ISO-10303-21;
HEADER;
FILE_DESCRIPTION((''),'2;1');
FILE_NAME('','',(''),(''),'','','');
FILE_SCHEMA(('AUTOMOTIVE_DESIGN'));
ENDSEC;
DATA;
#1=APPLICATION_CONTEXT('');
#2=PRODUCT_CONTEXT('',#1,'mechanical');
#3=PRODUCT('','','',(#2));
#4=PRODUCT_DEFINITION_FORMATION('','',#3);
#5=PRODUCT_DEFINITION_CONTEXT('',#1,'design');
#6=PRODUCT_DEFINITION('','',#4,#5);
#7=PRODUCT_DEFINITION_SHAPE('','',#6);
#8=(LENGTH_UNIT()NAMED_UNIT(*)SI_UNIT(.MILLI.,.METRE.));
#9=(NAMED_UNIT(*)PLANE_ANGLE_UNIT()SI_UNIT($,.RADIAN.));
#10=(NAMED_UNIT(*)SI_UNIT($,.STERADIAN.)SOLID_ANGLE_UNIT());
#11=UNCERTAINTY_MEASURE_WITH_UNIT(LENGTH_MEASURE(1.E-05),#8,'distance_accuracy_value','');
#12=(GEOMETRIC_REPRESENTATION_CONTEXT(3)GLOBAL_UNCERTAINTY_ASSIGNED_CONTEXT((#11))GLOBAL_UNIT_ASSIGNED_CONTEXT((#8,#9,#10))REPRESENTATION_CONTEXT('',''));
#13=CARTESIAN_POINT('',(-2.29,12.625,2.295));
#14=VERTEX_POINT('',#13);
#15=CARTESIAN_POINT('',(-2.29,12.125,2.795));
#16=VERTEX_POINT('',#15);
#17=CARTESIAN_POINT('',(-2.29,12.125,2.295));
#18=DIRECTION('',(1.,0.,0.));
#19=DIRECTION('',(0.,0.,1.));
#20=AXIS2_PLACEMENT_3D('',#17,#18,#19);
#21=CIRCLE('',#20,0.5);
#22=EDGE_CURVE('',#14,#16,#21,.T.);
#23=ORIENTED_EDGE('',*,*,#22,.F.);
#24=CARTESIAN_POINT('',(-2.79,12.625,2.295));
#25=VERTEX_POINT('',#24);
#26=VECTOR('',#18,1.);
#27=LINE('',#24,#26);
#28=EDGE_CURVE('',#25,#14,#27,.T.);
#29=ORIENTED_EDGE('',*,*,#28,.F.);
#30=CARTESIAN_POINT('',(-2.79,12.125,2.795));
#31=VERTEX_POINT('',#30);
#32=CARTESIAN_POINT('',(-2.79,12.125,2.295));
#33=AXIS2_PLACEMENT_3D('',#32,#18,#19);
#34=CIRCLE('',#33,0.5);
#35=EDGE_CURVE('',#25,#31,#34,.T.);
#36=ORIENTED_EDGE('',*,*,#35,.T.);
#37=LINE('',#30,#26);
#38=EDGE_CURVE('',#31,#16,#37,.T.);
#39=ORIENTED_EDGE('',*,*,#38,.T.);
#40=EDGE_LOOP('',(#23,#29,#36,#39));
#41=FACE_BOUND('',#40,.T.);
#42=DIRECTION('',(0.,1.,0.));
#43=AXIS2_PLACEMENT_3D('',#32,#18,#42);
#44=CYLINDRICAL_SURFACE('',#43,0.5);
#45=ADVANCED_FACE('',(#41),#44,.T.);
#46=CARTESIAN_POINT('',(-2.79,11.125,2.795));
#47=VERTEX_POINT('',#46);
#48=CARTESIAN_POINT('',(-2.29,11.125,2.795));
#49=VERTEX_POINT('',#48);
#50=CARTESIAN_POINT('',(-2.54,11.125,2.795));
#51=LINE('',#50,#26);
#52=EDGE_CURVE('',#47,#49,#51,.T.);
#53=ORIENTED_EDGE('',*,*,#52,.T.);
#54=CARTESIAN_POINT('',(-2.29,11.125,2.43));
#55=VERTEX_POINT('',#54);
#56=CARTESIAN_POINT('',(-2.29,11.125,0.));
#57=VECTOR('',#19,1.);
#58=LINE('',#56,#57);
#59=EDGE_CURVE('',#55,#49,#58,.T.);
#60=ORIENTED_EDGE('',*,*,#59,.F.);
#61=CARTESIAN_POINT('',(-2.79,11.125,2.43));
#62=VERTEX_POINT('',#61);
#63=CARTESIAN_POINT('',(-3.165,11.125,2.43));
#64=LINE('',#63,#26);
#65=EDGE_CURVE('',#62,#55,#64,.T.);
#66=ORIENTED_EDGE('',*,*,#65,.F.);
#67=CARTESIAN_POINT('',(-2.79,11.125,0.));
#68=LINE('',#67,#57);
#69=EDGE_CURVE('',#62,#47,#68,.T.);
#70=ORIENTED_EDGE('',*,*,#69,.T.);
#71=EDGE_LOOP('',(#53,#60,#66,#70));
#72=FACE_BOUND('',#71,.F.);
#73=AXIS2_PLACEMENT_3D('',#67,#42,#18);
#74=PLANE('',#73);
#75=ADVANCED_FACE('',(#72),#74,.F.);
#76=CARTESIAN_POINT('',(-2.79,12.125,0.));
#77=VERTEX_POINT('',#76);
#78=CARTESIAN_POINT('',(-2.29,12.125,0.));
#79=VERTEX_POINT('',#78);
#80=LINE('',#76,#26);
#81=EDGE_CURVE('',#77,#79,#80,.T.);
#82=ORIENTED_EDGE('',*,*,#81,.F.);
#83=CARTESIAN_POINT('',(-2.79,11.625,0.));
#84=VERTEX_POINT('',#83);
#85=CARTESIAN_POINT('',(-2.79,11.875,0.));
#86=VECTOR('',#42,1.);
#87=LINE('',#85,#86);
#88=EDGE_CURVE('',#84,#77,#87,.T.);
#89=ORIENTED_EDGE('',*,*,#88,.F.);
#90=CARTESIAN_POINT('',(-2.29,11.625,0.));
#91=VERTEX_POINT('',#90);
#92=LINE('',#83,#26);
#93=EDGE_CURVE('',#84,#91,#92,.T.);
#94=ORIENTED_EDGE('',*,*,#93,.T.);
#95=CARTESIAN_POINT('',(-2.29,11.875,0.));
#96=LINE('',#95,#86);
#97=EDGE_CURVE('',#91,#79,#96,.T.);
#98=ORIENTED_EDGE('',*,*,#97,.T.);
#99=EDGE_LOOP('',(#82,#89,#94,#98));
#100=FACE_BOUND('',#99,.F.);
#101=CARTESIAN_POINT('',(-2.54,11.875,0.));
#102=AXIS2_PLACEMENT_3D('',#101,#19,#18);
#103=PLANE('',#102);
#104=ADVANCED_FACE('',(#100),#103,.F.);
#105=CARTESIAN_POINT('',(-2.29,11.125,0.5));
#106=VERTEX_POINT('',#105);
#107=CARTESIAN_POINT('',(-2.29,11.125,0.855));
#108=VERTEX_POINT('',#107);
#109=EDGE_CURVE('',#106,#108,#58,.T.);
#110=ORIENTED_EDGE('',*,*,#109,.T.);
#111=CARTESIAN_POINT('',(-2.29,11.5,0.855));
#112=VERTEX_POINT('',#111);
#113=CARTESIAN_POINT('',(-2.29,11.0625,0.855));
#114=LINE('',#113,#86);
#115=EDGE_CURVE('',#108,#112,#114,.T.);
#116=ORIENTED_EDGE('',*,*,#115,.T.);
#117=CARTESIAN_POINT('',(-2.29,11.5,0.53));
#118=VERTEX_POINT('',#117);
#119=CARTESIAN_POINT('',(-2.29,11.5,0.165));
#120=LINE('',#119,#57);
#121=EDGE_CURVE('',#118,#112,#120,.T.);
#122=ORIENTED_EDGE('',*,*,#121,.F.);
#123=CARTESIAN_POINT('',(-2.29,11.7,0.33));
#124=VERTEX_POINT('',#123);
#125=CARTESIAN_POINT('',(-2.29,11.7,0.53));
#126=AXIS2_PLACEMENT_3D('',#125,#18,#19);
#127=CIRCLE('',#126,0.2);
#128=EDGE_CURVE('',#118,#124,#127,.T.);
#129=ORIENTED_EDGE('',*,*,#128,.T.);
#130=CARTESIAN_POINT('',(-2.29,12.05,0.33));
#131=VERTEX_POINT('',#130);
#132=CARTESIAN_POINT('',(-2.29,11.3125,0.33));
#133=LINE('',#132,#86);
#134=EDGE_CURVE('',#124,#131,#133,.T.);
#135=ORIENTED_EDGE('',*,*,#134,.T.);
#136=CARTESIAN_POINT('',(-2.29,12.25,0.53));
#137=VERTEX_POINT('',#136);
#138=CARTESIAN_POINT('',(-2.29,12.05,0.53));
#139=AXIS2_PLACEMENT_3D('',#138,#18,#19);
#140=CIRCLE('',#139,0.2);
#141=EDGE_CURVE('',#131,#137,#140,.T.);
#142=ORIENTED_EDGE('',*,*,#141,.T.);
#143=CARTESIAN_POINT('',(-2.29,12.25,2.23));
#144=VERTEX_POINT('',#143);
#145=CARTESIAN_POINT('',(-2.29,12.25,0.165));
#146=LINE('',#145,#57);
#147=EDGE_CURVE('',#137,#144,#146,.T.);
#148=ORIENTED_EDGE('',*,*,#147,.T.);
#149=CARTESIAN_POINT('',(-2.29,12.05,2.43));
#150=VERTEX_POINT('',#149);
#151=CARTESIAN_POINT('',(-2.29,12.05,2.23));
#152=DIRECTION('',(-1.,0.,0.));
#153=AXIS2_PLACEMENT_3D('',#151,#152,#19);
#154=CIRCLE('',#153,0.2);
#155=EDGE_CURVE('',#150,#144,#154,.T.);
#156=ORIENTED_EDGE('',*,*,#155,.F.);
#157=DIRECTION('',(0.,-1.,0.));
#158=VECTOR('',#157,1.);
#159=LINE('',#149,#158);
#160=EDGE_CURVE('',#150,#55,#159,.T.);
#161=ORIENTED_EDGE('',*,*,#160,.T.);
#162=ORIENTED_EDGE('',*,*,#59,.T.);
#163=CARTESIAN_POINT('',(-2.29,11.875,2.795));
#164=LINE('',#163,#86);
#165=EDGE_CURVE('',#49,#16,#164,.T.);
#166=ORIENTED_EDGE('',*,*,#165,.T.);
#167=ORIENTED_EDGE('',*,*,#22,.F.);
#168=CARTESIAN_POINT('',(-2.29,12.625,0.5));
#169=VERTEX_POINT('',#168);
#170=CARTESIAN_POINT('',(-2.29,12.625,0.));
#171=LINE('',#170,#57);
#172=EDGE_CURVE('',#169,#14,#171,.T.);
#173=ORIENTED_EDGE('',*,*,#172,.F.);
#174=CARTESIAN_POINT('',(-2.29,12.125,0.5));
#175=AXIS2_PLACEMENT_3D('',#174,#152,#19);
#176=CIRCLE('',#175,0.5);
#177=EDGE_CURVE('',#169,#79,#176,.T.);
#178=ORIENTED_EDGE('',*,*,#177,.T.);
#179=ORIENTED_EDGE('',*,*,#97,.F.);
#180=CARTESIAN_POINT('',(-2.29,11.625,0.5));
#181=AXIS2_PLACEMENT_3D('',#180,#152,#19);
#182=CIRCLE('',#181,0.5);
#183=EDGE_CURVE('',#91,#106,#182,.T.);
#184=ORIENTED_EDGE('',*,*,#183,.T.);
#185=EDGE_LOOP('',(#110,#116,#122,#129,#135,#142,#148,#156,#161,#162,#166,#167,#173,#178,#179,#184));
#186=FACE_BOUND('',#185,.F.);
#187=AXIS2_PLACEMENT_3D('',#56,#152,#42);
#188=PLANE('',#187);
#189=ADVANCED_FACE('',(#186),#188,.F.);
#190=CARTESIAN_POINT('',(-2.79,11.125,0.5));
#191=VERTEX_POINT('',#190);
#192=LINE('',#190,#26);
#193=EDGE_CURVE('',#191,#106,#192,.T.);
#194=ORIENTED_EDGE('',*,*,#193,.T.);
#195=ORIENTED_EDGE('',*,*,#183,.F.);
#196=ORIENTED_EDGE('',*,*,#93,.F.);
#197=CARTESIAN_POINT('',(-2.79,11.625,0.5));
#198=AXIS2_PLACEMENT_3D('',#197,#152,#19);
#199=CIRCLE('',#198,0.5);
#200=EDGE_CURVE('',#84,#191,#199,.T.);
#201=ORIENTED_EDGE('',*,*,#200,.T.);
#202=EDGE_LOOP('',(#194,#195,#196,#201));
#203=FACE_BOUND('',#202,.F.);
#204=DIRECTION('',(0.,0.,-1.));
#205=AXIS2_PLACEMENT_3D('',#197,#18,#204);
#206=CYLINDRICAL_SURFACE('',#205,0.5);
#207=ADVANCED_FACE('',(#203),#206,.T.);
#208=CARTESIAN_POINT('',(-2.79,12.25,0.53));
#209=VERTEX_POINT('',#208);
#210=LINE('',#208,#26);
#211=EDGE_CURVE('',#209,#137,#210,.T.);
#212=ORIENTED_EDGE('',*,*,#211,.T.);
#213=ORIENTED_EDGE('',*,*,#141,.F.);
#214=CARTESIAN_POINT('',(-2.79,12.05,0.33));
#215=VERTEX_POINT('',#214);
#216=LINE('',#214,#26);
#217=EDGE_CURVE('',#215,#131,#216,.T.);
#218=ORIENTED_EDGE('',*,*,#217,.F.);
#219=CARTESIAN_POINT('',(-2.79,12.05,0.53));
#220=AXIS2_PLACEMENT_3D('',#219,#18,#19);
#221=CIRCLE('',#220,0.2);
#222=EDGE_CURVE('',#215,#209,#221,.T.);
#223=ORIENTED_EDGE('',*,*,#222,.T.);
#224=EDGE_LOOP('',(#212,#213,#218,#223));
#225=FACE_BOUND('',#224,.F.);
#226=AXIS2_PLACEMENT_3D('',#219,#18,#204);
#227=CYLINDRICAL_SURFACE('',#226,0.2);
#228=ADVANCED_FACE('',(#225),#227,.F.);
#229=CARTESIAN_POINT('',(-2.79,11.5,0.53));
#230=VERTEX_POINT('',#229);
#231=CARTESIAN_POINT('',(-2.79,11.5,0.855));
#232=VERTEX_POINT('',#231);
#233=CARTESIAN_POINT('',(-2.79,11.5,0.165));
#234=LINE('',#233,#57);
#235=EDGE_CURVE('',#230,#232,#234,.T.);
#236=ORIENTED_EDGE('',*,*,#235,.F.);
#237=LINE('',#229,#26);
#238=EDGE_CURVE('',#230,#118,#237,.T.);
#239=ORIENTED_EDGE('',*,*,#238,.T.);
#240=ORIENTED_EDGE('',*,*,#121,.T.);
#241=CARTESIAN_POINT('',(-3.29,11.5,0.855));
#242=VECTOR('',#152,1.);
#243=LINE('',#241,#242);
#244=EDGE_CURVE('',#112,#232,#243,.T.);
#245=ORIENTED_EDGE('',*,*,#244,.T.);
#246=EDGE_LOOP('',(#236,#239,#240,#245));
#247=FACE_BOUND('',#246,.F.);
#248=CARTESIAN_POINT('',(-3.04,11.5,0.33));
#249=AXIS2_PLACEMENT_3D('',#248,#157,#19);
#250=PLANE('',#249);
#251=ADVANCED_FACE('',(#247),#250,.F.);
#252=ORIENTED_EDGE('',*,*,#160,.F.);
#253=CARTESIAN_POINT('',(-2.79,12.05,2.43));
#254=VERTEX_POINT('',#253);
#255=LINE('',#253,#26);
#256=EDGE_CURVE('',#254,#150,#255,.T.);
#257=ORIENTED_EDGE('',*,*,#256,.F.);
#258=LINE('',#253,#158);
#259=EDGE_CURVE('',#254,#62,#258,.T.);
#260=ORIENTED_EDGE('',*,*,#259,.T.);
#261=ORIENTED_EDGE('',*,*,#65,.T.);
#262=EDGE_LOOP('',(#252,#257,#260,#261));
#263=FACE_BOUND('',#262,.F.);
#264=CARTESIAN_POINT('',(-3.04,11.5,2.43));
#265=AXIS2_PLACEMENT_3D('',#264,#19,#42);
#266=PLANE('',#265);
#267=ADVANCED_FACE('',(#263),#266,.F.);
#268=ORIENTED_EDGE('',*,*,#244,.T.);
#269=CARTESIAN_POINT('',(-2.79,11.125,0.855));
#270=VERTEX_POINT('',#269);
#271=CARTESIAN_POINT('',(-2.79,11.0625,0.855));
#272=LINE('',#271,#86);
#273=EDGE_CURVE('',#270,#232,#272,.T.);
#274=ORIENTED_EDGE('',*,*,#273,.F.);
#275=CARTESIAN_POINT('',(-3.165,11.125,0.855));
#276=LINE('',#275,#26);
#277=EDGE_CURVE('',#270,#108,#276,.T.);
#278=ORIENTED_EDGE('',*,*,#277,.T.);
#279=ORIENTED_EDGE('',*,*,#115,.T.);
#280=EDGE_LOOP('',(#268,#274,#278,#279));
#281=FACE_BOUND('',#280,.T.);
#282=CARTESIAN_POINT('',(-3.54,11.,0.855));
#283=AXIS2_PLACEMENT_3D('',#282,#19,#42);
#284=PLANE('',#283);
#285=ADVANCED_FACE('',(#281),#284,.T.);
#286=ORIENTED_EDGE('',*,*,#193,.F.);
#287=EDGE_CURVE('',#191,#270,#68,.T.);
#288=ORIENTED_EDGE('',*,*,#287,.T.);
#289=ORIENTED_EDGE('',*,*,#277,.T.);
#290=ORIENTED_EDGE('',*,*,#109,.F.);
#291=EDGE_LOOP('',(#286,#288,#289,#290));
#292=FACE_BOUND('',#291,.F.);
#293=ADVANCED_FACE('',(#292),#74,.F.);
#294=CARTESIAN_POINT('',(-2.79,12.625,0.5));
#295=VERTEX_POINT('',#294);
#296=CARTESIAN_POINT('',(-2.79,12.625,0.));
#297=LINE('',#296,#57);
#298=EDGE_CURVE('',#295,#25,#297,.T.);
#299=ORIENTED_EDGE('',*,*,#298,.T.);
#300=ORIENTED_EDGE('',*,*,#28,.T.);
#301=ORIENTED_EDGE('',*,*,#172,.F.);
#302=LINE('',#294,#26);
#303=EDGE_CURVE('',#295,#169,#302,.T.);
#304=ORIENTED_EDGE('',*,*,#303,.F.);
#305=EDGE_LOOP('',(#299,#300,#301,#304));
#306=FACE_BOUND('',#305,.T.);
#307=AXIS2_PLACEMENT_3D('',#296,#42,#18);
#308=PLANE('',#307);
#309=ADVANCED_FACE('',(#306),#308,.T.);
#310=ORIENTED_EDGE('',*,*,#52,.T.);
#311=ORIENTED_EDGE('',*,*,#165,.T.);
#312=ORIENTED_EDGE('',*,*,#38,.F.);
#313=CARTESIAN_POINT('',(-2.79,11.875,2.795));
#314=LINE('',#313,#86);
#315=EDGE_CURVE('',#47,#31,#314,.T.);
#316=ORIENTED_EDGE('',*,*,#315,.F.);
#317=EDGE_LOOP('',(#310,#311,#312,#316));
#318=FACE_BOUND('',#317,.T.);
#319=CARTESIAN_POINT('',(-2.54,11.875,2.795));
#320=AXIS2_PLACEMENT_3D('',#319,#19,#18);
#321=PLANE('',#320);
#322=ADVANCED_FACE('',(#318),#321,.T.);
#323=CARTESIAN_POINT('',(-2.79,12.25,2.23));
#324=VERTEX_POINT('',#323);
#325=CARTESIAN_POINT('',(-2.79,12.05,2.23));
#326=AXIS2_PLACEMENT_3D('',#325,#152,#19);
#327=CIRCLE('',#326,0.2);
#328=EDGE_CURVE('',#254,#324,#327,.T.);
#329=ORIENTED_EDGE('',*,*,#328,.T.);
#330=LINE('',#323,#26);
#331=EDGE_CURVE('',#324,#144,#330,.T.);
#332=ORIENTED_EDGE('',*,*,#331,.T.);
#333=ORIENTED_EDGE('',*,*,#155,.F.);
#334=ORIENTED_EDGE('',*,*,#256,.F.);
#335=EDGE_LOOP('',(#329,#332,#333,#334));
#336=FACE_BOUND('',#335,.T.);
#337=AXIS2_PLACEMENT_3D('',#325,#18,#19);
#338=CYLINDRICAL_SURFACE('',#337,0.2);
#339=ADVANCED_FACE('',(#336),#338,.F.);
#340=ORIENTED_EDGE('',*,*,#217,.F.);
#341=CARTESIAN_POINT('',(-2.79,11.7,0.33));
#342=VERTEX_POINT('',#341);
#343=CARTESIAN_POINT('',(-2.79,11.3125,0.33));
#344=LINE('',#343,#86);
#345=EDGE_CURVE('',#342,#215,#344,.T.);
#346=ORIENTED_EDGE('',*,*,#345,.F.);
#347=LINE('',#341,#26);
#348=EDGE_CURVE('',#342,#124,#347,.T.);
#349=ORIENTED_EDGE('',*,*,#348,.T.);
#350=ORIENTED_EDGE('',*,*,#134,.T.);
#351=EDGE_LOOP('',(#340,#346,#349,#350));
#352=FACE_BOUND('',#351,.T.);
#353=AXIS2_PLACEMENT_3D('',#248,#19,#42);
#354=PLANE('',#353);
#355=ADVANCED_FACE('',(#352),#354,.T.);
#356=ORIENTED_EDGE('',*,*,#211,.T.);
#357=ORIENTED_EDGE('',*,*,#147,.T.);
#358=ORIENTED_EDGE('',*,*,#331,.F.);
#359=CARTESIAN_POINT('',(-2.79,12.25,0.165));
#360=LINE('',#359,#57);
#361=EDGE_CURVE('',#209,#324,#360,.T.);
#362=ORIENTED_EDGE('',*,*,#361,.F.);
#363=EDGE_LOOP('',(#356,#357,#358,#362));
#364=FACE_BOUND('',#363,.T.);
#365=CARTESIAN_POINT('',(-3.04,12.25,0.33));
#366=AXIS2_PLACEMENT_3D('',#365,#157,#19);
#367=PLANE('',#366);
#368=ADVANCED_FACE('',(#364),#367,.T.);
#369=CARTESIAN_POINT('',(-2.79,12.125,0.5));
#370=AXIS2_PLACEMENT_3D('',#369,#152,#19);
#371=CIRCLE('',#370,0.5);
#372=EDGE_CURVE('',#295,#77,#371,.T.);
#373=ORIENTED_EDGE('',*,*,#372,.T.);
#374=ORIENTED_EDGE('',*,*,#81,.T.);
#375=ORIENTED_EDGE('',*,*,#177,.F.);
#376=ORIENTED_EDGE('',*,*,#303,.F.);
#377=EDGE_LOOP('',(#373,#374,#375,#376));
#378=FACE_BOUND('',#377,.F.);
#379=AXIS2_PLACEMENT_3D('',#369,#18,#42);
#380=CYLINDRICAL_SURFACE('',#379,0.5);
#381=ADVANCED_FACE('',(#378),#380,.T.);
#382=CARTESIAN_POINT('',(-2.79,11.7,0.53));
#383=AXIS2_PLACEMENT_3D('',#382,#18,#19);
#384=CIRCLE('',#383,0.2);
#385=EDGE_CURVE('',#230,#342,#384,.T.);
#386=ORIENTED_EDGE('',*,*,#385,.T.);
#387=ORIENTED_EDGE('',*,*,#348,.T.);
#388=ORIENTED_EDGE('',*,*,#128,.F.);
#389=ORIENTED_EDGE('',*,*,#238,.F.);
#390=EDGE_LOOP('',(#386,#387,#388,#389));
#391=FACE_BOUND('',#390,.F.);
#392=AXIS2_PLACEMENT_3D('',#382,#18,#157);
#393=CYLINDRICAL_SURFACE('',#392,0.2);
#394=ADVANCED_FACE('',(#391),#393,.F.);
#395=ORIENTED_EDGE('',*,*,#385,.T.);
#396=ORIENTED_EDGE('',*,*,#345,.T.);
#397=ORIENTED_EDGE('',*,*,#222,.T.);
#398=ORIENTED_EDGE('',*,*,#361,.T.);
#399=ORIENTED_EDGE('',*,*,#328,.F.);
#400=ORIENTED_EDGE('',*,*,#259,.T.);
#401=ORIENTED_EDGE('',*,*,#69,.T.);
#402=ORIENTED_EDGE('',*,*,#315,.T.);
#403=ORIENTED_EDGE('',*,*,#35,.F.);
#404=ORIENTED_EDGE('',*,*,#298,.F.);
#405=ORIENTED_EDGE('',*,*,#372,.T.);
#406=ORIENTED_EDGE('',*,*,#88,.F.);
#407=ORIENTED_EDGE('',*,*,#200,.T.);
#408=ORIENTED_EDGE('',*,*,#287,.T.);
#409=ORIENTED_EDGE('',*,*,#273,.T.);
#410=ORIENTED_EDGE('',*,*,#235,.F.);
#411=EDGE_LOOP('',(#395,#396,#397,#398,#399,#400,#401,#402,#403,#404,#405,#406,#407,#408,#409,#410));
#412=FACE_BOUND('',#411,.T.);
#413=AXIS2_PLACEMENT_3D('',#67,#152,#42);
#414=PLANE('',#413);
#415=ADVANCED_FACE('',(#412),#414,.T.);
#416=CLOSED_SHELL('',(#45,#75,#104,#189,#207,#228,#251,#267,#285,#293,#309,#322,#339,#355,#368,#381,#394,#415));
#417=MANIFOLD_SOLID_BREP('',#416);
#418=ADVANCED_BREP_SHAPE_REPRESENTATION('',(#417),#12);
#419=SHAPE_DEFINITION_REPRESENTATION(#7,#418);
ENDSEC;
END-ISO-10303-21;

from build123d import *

# Parameters (mm, degrees)
BOX037_W     = 0.5
BOX037_H     = 1.5
BOX037_DEPTH = 2.795
FILLET064_R  = 0.5
FILLET080_R  = 0.5
FILLET074_R  = 0.5
BOX045_W     = 0.75
BOX045_H     = 2.1
BOX045_DEPTH = 1
FILLET065_R  = 0.2
FILLET083_R  = 0.2
FILLET071_R  = 0.2
FILLET063_R  = 0.2
BOX040_W     = 1
BOX040_H     = 1.575
BOX040_DEPTH = 3


with BuildPart() as part:
    # Box037 → Box037 (join)
    with BuildSketch(Plane(origin=(-0.25, 11.125, 0), x_dir=(1, 0, 0), z_dir=(0, 0, 1))):
        with Locations((0.25, 0.75)):
            Rectangle(BOX037_W, BOX037_H)
    extrude(amount=BOX037_DEPTH)

    # Fillet064
    fillet064_edges = [part.edges().sort_by_distance(p)[0] for p in [
        (0, 12.625, 0),
    ]]
    fillet(fillet064_edges, radius=FILLET064_R)

    # Fillet080
    fillet080_edges = [part.edges().sort_by_distance(p)[0] for p in [
        (0, 12.625, 2.795),
    ]]
    fillet(fillet080_edges, radius=FILLET080_R)

    # Fillet074
    fillet074_edges = [part.edges().sort_by_distance(p)[0] for p in [
        (0, 11.125, 0),
    ]]
    fillet(fillet074_edges, radius=FILLET074_R)

    # Box045 → Box045 (cut)
    with BuildSketch(Plane(origin=(-0.5, 11.5, 0.33), x_dir=(0, 1, 0), z_dir=(1, 0, 0))):
        with Locations((0.375, 1.05)):
            Rectangle(BOX045_W, BOX045_H)
    extrude(amount=BOX045_DEPTH, mode=Mode.SUBTRACT)

    # Fillet065
    fillet065_edges = [part.edges().sort_by_distance(p)[0] for p in [
        (0, 11.5, 0.33),
    ]]
    fillet(fillet065_edges, radius=FILLET065_R)

    # Fillet083
    fillet083_edges = [part.edges().sort_by_distance(p)[0] for p in [
        (0, 12.25, 0.33),
    ]]
    fillet(fillet083_edges, radius=FILLET083_R)

    # Fillet071
    fillet071_edges = [part.edges().sort_by_distance(p)[0] for p in [
        (0, 11.5, 2.43),
    ]]
    fillet(fillet071_edges, radius=FILLET071_R)

    # Fillet063
    fillet063_edges = [part.edges().sort_by_distance(p)[0] for p in [
        (0, 12.25, 2.43),
    ]]
    fillet(fillet063_edges, radius=FILLET063_R)

    # Box040 → Box040 (cut)
    with BuildSketch(Plane(origin=(-1, 11, 0.855), x_dir=(0, 1, 0), z_dir=(1, 0, 0))):
        with Locations((0.5, 0.7875)):
            Rectangle(BOX040_W, BOX040_H)
    extrude(amount=BOX040_DEPTH, mode=Mode.SUBTRACT)


with BuildPart() as part_1:
    # Body010 placement: moved
    add(part.part.moved(Location((-2.54, 0, 0))))


solid = part_1.part
